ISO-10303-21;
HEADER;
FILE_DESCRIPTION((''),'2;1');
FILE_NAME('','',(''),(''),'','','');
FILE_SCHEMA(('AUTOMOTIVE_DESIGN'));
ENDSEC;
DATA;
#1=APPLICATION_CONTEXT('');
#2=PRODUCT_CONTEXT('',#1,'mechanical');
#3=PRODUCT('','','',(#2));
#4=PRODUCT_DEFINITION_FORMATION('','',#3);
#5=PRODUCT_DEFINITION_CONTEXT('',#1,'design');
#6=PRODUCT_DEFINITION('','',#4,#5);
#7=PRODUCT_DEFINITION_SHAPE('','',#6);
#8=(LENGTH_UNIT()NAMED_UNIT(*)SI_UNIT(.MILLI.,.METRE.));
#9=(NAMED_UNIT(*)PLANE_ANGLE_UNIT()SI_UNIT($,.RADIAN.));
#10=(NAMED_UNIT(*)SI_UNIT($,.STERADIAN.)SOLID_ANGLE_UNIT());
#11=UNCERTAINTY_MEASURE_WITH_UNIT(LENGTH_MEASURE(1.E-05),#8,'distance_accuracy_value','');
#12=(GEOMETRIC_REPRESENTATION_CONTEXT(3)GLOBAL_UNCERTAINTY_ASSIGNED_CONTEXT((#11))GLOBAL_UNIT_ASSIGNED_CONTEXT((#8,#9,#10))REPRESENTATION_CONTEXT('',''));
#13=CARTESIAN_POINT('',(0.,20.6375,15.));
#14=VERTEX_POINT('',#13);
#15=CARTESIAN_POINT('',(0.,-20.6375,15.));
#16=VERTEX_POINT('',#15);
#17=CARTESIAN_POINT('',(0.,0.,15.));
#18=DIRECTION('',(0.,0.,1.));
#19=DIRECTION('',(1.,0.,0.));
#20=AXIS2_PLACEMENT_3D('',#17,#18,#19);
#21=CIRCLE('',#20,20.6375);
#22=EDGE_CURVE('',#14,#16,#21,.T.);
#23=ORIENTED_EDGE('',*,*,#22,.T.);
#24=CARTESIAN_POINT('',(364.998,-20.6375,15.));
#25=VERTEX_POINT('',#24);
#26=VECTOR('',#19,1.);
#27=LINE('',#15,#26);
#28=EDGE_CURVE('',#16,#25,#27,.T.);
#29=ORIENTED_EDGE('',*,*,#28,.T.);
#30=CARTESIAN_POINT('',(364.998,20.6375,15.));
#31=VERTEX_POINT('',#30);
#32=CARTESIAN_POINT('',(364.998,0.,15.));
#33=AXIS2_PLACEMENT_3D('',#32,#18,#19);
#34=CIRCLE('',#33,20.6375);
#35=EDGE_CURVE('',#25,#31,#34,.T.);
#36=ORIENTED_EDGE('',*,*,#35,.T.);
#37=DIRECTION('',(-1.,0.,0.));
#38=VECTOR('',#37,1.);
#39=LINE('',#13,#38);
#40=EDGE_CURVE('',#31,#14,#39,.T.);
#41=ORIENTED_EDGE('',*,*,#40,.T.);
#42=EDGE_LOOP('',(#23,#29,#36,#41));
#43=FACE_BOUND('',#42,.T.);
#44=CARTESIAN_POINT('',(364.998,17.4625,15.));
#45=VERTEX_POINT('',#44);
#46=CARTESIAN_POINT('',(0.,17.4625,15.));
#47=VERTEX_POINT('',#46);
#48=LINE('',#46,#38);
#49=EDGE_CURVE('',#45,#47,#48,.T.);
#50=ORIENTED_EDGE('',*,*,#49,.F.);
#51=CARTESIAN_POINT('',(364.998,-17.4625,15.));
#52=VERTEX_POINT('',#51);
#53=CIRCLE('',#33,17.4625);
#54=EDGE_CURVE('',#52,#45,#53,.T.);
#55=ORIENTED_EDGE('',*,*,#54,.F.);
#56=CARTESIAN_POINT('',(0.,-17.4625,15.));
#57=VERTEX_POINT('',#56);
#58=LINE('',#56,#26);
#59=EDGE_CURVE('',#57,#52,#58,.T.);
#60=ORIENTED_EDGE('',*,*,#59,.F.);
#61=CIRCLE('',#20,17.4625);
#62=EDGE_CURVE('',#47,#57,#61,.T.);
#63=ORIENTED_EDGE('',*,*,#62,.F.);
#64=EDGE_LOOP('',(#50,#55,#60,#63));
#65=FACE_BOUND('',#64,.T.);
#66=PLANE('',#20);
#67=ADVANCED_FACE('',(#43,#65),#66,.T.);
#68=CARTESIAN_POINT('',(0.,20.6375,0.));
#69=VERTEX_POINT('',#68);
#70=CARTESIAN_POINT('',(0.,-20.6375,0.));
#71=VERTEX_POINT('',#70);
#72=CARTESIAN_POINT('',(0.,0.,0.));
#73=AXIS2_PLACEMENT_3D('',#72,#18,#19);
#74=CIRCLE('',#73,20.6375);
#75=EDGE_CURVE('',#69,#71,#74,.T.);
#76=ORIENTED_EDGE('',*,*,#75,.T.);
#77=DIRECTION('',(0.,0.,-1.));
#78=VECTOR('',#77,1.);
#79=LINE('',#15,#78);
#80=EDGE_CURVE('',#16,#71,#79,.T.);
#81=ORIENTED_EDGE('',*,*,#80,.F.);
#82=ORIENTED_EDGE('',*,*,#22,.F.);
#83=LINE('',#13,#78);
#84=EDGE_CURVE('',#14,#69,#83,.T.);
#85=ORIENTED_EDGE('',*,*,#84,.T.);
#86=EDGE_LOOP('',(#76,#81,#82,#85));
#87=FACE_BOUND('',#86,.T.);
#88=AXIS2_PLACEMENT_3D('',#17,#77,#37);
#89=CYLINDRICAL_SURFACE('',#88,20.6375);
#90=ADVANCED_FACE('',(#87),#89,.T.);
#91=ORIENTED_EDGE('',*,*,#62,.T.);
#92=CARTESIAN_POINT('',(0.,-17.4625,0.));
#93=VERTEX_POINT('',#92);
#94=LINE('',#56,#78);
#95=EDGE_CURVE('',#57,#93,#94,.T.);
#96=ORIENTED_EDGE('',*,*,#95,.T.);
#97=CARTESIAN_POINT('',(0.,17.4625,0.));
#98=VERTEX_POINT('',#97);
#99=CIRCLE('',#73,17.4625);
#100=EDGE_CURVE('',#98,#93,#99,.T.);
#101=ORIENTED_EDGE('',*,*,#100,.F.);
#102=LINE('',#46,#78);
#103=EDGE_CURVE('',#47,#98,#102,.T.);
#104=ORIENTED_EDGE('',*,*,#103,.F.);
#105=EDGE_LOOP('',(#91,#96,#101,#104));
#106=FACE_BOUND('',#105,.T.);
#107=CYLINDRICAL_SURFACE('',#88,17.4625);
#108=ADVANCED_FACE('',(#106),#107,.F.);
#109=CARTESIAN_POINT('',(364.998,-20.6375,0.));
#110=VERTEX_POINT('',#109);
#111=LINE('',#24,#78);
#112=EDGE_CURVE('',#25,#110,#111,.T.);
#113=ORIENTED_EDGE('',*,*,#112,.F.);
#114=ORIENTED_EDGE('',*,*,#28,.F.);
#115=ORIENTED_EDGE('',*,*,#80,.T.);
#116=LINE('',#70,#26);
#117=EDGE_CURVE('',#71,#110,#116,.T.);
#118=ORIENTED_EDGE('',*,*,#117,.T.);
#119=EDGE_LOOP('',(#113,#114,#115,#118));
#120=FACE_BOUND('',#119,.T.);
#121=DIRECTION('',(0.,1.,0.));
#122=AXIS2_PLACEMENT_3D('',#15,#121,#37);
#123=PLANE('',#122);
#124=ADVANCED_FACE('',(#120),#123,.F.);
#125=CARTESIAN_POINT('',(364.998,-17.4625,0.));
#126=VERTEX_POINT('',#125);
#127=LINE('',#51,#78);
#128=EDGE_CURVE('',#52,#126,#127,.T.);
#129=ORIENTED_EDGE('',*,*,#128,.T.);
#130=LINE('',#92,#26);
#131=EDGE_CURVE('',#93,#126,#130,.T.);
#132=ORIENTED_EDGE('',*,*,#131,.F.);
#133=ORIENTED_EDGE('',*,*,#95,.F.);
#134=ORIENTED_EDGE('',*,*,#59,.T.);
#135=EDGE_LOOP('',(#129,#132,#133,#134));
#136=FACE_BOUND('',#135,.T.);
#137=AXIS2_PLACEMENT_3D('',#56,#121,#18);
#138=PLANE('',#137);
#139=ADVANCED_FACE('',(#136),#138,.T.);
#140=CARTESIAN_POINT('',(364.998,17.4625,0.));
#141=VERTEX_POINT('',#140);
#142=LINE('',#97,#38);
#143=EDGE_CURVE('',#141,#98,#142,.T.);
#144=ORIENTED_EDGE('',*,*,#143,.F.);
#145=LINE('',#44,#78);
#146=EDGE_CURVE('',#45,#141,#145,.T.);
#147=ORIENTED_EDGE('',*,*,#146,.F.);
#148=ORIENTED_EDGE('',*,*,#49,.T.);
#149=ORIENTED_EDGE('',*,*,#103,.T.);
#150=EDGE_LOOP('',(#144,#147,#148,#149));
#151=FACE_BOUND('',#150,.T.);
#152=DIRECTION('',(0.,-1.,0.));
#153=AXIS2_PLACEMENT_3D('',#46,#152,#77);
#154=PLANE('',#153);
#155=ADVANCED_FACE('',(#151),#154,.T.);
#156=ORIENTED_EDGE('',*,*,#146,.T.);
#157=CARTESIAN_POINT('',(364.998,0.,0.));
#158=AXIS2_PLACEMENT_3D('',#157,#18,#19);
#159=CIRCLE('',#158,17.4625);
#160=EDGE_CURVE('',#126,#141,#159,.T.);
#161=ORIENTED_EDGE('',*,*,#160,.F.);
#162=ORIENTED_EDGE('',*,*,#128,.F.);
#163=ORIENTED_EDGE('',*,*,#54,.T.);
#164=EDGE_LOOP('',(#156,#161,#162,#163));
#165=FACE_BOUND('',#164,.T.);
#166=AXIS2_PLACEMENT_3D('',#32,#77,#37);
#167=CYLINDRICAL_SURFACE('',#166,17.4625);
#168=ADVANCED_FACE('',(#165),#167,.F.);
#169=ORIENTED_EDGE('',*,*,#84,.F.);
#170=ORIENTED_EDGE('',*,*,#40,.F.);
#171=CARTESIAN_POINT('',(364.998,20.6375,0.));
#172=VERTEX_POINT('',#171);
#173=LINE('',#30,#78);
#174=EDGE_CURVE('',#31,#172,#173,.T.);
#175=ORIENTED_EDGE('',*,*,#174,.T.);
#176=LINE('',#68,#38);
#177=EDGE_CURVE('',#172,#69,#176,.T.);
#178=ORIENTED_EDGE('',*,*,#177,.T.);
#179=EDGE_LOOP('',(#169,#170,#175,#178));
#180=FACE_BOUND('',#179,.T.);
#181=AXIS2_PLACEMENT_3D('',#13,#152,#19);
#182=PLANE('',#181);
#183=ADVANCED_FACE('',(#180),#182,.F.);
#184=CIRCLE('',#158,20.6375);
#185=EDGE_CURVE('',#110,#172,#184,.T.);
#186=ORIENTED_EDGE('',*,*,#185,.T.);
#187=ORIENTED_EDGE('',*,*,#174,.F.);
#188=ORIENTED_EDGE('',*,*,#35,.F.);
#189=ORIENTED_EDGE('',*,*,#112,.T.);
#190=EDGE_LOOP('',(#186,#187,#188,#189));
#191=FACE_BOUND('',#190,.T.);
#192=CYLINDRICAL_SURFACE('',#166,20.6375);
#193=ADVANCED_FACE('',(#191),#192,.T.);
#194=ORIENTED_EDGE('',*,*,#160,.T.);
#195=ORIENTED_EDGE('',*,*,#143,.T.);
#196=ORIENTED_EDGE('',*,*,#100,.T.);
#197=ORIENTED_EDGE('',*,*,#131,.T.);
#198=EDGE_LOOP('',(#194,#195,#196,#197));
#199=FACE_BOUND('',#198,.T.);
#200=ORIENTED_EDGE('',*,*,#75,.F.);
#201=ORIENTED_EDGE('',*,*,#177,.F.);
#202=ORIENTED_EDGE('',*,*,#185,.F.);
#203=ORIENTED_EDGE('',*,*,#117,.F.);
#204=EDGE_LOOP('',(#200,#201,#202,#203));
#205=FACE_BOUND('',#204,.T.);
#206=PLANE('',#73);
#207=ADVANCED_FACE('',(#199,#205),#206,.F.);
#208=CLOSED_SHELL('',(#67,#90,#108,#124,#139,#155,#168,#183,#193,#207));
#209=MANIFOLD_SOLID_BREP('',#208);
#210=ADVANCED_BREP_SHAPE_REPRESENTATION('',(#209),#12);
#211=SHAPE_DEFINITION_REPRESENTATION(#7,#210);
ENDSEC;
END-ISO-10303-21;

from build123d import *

# Parameters (mm, degrees)
BOSS_EXTRUDE1_DEPTH = 15


with BuildPart() as part:
    # Sketch1 → Boss-Extrude1 (new body)
    with BuildSketch(Plane.XY):
        with BuildLine():
            Line((0, 20.6375), (364.998, 20.6375))
            ThreePointArc((364.998, 20.6375), (385.6355, 0), (364.998, -20.6375))
            Line((364.998, -20.6375), (0, -20.6375))
            ThreePointArc((0, -20.6375), (-20.6375, 0), (0, 20.6375))
        make_face()
        with BuildLine():
            Line((0, 17.4625), (364.998, 17.4625))
            ThreePointArc((364.998, 17.4625), (382.4605, 0), (364.998, -17.4625))
            Line((364.998, -17.4625), (0, -17.4625))
            ThreePointArc((0, -17.4625), (-17.4625, 0), (0, 17.4625))
        make_face(mode=Mode.SUBTRACT)
    extrude(amount=BOSS_EXTRUDE1_DEPTH)


solid = part.part
